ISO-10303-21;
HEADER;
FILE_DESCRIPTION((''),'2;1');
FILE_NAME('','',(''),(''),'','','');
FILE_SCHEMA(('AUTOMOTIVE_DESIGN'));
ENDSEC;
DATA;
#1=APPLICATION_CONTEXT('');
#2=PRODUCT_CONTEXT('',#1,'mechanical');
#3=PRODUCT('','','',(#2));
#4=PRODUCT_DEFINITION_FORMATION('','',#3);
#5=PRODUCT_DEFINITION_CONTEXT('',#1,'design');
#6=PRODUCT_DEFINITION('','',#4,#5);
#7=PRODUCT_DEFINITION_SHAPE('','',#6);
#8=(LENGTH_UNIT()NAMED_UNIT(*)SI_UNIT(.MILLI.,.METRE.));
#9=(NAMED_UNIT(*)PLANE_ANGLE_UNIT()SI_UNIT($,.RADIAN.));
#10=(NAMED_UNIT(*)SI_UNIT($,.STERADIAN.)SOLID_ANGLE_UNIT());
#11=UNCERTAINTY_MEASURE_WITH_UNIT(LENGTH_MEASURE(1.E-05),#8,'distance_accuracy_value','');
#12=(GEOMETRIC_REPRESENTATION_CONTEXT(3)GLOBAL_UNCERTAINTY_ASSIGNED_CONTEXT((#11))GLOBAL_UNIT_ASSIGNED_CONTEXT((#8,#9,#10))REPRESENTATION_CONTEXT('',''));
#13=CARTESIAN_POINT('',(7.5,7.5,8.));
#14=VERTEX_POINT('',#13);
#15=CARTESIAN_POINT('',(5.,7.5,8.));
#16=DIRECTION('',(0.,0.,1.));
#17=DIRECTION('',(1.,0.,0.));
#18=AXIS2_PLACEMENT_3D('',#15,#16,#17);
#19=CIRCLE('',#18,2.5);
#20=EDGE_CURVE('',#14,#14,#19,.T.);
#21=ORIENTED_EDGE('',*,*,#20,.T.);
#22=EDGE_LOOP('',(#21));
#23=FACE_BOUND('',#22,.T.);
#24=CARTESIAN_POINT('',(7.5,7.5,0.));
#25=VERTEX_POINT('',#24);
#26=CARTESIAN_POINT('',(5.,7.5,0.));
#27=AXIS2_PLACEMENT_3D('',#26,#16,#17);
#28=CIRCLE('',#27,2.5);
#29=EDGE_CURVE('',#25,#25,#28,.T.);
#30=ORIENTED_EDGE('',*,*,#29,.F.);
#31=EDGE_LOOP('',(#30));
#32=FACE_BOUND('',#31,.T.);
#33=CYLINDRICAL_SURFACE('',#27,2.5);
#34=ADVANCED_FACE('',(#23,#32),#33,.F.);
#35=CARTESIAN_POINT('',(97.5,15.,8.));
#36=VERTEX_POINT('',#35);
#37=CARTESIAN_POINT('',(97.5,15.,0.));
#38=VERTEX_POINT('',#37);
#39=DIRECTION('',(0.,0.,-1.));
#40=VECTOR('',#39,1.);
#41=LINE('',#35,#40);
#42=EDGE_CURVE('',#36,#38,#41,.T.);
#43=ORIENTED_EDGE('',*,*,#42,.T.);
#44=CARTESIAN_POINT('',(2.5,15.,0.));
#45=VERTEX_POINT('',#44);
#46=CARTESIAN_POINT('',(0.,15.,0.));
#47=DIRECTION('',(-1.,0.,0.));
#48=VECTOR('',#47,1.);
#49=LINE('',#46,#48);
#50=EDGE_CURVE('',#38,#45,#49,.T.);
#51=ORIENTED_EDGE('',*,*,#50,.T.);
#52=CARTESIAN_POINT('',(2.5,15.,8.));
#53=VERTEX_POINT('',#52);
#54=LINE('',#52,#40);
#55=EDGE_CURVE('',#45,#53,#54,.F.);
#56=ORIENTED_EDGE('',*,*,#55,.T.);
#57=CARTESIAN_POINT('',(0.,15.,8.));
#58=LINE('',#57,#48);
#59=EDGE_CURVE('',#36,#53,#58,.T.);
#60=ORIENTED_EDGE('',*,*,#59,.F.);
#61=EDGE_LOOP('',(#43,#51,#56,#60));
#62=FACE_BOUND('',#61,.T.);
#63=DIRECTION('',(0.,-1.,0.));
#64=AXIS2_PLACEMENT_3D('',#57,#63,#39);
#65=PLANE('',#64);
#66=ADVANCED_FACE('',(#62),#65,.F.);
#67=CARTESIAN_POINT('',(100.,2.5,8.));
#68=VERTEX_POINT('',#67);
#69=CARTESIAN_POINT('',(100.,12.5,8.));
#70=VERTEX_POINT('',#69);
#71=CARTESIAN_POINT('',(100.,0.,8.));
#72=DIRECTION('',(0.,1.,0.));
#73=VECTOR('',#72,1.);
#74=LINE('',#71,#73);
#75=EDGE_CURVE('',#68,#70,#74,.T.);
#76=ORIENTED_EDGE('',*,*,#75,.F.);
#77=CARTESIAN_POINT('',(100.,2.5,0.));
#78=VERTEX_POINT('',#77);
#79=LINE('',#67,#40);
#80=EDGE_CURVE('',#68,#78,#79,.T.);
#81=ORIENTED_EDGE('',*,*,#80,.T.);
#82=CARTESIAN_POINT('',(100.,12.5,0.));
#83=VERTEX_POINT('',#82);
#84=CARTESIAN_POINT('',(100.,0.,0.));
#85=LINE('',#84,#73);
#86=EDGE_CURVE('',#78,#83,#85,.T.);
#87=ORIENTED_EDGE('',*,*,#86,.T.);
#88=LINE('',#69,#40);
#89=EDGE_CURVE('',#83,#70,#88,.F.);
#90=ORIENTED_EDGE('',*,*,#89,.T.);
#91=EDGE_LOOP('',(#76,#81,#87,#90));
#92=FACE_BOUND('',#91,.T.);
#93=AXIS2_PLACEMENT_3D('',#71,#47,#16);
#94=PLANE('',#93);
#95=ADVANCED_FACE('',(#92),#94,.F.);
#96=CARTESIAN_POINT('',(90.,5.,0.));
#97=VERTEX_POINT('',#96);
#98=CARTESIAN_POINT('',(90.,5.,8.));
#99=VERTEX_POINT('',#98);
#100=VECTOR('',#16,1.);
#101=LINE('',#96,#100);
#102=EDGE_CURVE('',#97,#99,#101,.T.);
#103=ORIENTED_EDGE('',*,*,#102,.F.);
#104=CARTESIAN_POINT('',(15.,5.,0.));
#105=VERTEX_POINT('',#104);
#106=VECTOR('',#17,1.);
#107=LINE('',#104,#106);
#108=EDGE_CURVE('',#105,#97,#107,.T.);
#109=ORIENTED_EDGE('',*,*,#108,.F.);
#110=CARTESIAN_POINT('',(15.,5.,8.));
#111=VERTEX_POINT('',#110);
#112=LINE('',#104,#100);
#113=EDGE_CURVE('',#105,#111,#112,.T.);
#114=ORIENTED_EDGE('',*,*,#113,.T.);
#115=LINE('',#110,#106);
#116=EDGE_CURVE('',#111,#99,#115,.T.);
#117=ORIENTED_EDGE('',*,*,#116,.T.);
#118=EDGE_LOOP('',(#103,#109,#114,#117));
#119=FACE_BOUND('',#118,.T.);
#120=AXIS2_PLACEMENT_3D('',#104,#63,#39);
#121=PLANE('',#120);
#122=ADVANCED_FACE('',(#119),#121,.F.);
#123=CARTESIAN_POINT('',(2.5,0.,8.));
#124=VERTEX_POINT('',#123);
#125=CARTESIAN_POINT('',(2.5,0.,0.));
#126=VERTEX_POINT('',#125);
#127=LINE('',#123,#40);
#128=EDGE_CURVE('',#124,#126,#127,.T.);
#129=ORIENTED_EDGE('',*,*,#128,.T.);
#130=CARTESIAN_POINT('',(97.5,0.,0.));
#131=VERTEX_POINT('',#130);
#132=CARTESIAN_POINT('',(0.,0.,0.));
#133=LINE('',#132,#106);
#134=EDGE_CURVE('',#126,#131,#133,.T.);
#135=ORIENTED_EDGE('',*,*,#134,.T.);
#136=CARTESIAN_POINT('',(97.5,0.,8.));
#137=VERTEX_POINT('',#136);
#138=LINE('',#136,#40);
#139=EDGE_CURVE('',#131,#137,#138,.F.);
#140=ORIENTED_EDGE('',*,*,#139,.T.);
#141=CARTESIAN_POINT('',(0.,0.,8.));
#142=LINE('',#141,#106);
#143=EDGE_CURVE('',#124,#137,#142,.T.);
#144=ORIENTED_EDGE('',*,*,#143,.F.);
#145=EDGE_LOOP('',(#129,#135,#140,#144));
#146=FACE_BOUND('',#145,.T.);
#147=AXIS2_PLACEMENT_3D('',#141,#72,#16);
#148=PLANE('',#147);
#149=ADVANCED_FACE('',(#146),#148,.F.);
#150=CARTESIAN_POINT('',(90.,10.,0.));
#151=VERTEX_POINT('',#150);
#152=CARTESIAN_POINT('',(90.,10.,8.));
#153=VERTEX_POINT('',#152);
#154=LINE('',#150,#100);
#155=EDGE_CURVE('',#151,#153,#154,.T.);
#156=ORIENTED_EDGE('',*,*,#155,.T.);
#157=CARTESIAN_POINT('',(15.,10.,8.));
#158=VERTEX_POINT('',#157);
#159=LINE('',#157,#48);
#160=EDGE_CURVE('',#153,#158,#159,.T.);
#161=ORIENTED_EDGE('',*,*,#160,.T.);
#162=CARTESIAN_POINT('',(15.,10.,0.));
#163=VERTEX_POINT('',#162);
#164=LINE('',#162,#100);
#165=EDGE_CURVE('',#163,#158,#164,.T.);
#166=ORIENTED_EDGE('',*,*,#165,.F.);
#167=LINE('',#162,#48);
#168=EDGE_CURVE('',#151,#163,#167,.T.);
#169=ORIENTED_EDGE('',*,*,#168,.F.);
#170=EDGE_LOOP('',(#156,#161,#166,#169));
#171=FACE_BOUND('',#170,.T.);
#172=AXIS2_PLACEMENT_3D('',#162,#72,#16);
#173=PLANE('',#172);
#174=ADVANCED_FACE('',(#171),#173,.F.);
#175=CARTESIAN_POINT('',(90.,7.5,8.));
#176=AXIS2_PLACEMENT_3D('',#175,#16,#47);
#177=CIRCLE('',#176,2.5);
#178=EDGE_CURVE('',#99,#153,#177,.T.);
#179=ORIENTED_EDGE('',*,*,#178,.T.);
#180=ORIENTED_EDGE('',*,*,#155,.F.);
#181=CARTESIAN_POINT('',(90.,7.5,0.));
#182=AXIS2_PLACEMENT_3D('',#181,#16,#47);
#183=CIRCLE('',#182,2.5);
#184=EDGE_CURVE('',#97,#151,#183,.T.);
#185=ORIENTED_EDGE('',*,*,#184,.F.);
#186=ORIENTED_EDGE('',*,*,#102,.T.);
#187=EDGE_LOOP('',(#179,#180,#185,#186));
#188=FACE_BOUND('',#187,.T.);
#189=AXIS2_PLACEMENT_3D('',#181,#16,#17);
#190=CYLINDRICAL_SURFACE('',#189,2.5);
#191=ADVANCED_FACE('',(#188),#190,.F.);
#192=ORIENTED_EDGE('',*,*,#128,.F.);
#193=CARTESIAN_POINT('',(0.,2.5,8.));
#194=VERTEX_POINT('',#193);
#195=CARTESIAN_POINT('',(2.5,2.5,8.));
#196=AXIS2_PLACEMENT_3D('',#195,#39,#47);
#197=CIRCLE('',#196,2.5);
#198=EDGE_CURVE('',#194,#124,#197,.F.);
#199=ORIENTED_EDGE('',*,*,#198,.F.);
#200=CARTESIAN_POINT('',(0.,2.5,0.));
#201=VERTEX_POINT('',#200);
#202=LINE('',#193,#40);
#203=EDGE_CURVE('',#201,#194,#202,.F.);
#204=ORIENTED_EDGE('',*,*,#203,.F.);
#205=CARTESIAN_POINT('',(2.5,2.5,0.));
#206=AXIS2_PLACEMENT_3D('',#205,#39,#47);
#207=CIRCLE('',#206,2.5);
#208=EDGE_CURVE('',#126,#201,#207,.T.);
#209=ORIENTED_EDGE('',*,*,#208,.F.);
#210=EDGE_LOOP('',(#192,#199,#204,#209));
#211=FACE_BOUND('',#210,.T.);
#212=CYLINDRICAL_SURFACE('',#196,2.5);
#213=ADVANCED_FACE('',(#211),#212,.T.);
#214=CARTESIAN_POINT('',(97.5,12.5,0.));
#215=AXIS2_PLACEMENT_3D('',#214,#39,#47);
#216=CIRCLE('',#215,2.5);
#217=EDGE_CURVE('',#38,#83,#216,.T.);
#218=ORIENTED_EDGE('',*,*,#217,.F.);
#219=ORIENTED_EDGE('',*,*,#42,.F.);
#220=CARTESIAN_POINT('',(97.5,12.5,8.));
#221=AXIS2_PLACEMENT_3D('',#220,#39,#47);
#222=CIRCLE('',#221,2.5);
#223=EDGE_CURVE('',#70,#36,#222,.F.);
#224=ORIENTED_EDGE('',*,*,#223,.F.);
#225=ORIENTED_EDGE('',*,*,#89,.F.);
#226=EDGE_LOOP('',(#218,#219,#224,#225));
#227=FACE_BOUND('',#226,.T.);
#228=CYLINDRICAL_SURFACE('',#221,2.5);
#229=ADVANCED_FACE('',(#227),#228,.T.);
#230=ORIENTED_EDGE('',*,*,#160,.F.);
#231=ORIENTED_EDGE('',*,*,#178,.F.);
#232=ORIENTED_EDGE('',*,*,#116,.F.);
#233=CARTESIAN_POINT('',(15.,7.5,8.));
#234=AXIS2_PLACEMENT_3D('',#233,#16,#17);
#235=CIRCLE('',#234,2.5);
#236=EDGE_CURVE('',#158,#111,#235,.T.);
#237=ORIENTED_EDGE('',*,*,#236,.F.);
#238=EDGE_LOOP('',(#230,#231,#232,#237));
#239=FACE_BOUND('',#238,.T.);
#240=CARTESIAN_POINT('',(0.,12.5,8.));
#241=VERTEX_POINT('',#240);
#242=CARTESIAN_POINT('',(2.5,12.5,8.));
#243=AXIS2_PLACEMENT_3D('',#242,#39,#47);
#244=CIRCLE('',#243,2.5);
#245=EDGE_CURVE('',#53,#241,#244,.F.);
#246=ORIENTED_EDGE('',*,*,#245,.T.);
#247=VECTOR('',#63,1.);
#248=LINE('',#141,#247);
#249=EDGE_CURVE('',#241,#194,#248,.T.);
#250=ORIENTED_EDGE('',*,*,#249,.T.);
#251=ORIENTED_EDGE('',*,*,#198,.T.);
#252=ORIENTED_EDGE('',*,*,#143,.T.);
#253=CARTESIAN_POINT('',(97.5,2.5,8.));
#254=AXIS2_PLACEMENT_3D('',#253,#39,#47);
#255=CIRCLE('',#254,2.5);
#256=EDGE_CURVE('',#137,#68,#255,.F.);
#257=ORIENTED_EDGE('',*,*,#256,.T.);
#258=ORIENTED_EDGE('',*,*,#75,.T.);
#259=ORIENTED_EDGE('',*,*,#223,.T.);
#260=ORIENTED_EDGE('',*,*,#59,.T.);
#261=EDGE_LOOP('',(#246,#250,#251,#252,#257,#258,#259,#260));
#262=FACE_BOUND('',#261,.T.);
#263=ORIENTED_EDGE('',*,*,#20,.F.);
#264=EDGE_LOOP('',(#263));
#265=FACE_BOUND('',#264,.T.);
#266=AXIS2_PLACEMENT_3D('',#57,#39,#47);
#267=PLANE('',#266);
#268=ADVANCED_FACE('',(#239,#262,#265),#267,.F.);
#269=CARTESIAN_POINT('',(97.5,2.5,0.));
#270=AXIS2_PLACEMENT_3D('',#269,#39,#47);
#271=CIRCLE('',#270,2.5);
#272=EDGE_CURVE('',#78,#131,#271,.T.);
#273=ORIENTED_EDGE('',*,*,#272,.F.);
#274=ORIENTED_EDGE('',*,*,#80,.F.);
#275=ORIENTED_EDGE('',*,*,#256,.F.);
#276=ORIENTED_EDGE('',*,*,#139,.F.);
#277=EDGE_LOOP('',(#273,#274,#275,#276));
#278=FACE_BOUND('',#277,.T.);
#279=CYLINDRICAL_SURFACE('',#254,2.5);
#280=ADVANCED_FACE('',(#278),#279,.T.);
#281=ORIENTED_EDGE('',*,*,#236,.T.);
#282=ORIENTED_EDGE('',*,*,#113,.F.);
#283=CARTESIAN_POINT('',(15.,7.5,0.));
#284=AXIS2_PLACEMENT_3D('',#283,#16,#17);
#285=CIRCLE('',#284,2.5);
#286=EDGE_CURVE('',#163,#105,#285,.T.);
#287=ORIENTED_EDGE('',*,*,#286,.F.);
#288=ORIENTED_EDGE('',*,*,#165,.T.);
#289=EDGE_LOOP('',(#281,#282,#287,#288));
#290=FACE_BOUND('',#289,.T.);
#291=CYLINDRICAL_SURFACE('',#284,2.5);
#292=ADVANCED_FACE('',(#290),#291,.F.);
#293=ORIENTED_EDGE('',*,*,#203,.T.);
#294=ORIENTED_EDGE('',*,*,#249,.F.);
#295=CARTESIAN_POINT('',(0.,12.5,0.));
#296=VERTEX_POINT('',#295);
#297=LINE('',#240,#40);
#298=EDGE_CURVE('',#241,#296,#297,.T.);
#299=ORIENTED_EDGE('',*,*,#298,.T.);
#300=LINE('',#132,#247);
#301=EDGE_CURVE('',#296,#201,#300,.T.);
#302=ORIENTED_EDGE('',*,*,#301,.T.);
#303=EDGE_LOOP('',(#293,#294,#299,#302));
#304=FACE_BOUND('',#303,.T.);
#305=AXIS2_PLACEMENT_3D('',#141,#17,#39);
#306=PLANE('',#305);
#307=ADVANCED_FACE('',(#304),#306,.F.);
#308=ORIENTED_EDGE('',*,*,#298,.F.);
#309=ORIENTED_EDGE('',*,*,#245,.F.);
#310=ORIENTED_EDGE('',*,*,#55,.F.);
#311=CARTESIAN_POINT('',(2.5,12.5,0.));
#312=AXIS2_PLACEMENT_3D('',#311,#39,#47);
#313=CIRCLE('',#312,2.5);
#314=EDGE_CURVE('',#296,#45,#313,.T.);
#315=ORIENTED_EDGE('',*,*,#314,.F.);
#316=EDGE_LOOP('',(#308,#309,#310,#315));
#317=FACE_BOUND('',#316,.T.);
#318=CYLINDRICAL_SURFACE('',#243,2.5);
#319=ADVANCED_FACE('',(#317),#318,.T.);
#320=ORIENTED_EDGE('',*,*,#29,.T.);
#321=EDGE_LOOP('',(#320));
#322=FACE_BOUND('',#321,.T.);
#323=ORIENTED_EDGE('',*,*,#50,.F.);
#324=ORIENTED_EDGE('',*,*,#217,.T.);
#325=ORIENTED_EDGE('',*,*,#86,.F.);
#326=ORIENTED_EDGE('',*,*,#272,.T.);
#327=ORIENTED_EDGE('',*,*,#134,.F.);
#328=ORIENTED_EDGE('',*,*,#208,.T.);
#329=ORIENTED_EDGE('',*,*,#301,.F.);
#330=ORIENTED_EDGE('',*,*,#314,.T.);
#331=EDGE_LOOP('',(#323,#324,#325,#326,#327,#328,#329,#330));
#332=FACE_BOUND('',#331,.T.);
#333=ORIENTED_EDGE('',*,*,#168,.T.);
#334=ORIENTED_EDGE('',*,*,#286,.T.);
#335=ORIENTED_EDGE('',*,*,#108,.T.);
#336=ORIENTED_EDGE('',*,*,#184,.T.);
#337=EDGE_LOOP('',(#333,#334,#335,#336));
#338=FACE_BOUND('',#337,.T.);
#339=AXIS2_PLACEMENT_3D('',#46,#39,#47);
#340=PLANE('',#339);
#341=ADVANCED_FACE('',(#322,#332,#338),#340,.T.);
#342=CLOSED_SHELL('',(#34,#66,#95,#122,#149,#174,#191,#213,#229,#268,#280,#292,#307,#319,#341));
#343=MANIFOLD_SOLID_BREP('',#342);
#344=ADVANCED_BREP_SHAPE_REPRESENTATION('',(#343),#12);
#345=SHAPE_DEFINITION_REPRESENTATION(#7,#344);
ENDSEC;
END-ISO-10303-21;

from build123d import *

# Parameters (mm, degrees)
SKETCH_1_W          = 100
SKETCH_1_H          = 15
EXTRUDE_1_DEPTH     = 8
SKETCH_2_R          = 2.5
CUT_EXTRUDE_2_DEPTH = 8
FILLET_2_R          = 2.5


with BuildPart() as part:
    # Эскиз1 → Вытянуть1 (new body)
    with BuildSketch(Plane.XY):
        with Locations((50, 7.5)):
            Rectangle(SKETCH_1_W, SKETCH_1_H)
    extrude(amount=EXTRUDE_1_DEPTH)

    # Эскиз2 → Вытянуть2 (cut)
    with BuildSketch(Plane.XY.offset(8)):
        with Locations((5, 7.5)):
            Circle(SKETCH_2_R)
        with BuildLine():
            Line((15, 10), (90, 10))
            ThreePointArc((90, 10), (92.5, 7.5), (90, 5))
            Line((90, 5), (15, 5))
            ThreePointArc((15, 5), (12.5, 7.5), (15, 10))
        make_face()
    extrude(amount=-CUT_EXTRUDE_2_DEPTH, mode=Mode.SUBTRACT)

    # Скругление2
    fillet_2_edges = [part.edges().sort_by_distance(p)[0] for p in [
        (0, 15, 4),
        (100, 15, 4),
        (100, 0, 4),
        (0, 0, 4),
    ]]
    fillet(fillet_2_edges, radius=FILLET_2_R)


solid = part.part
